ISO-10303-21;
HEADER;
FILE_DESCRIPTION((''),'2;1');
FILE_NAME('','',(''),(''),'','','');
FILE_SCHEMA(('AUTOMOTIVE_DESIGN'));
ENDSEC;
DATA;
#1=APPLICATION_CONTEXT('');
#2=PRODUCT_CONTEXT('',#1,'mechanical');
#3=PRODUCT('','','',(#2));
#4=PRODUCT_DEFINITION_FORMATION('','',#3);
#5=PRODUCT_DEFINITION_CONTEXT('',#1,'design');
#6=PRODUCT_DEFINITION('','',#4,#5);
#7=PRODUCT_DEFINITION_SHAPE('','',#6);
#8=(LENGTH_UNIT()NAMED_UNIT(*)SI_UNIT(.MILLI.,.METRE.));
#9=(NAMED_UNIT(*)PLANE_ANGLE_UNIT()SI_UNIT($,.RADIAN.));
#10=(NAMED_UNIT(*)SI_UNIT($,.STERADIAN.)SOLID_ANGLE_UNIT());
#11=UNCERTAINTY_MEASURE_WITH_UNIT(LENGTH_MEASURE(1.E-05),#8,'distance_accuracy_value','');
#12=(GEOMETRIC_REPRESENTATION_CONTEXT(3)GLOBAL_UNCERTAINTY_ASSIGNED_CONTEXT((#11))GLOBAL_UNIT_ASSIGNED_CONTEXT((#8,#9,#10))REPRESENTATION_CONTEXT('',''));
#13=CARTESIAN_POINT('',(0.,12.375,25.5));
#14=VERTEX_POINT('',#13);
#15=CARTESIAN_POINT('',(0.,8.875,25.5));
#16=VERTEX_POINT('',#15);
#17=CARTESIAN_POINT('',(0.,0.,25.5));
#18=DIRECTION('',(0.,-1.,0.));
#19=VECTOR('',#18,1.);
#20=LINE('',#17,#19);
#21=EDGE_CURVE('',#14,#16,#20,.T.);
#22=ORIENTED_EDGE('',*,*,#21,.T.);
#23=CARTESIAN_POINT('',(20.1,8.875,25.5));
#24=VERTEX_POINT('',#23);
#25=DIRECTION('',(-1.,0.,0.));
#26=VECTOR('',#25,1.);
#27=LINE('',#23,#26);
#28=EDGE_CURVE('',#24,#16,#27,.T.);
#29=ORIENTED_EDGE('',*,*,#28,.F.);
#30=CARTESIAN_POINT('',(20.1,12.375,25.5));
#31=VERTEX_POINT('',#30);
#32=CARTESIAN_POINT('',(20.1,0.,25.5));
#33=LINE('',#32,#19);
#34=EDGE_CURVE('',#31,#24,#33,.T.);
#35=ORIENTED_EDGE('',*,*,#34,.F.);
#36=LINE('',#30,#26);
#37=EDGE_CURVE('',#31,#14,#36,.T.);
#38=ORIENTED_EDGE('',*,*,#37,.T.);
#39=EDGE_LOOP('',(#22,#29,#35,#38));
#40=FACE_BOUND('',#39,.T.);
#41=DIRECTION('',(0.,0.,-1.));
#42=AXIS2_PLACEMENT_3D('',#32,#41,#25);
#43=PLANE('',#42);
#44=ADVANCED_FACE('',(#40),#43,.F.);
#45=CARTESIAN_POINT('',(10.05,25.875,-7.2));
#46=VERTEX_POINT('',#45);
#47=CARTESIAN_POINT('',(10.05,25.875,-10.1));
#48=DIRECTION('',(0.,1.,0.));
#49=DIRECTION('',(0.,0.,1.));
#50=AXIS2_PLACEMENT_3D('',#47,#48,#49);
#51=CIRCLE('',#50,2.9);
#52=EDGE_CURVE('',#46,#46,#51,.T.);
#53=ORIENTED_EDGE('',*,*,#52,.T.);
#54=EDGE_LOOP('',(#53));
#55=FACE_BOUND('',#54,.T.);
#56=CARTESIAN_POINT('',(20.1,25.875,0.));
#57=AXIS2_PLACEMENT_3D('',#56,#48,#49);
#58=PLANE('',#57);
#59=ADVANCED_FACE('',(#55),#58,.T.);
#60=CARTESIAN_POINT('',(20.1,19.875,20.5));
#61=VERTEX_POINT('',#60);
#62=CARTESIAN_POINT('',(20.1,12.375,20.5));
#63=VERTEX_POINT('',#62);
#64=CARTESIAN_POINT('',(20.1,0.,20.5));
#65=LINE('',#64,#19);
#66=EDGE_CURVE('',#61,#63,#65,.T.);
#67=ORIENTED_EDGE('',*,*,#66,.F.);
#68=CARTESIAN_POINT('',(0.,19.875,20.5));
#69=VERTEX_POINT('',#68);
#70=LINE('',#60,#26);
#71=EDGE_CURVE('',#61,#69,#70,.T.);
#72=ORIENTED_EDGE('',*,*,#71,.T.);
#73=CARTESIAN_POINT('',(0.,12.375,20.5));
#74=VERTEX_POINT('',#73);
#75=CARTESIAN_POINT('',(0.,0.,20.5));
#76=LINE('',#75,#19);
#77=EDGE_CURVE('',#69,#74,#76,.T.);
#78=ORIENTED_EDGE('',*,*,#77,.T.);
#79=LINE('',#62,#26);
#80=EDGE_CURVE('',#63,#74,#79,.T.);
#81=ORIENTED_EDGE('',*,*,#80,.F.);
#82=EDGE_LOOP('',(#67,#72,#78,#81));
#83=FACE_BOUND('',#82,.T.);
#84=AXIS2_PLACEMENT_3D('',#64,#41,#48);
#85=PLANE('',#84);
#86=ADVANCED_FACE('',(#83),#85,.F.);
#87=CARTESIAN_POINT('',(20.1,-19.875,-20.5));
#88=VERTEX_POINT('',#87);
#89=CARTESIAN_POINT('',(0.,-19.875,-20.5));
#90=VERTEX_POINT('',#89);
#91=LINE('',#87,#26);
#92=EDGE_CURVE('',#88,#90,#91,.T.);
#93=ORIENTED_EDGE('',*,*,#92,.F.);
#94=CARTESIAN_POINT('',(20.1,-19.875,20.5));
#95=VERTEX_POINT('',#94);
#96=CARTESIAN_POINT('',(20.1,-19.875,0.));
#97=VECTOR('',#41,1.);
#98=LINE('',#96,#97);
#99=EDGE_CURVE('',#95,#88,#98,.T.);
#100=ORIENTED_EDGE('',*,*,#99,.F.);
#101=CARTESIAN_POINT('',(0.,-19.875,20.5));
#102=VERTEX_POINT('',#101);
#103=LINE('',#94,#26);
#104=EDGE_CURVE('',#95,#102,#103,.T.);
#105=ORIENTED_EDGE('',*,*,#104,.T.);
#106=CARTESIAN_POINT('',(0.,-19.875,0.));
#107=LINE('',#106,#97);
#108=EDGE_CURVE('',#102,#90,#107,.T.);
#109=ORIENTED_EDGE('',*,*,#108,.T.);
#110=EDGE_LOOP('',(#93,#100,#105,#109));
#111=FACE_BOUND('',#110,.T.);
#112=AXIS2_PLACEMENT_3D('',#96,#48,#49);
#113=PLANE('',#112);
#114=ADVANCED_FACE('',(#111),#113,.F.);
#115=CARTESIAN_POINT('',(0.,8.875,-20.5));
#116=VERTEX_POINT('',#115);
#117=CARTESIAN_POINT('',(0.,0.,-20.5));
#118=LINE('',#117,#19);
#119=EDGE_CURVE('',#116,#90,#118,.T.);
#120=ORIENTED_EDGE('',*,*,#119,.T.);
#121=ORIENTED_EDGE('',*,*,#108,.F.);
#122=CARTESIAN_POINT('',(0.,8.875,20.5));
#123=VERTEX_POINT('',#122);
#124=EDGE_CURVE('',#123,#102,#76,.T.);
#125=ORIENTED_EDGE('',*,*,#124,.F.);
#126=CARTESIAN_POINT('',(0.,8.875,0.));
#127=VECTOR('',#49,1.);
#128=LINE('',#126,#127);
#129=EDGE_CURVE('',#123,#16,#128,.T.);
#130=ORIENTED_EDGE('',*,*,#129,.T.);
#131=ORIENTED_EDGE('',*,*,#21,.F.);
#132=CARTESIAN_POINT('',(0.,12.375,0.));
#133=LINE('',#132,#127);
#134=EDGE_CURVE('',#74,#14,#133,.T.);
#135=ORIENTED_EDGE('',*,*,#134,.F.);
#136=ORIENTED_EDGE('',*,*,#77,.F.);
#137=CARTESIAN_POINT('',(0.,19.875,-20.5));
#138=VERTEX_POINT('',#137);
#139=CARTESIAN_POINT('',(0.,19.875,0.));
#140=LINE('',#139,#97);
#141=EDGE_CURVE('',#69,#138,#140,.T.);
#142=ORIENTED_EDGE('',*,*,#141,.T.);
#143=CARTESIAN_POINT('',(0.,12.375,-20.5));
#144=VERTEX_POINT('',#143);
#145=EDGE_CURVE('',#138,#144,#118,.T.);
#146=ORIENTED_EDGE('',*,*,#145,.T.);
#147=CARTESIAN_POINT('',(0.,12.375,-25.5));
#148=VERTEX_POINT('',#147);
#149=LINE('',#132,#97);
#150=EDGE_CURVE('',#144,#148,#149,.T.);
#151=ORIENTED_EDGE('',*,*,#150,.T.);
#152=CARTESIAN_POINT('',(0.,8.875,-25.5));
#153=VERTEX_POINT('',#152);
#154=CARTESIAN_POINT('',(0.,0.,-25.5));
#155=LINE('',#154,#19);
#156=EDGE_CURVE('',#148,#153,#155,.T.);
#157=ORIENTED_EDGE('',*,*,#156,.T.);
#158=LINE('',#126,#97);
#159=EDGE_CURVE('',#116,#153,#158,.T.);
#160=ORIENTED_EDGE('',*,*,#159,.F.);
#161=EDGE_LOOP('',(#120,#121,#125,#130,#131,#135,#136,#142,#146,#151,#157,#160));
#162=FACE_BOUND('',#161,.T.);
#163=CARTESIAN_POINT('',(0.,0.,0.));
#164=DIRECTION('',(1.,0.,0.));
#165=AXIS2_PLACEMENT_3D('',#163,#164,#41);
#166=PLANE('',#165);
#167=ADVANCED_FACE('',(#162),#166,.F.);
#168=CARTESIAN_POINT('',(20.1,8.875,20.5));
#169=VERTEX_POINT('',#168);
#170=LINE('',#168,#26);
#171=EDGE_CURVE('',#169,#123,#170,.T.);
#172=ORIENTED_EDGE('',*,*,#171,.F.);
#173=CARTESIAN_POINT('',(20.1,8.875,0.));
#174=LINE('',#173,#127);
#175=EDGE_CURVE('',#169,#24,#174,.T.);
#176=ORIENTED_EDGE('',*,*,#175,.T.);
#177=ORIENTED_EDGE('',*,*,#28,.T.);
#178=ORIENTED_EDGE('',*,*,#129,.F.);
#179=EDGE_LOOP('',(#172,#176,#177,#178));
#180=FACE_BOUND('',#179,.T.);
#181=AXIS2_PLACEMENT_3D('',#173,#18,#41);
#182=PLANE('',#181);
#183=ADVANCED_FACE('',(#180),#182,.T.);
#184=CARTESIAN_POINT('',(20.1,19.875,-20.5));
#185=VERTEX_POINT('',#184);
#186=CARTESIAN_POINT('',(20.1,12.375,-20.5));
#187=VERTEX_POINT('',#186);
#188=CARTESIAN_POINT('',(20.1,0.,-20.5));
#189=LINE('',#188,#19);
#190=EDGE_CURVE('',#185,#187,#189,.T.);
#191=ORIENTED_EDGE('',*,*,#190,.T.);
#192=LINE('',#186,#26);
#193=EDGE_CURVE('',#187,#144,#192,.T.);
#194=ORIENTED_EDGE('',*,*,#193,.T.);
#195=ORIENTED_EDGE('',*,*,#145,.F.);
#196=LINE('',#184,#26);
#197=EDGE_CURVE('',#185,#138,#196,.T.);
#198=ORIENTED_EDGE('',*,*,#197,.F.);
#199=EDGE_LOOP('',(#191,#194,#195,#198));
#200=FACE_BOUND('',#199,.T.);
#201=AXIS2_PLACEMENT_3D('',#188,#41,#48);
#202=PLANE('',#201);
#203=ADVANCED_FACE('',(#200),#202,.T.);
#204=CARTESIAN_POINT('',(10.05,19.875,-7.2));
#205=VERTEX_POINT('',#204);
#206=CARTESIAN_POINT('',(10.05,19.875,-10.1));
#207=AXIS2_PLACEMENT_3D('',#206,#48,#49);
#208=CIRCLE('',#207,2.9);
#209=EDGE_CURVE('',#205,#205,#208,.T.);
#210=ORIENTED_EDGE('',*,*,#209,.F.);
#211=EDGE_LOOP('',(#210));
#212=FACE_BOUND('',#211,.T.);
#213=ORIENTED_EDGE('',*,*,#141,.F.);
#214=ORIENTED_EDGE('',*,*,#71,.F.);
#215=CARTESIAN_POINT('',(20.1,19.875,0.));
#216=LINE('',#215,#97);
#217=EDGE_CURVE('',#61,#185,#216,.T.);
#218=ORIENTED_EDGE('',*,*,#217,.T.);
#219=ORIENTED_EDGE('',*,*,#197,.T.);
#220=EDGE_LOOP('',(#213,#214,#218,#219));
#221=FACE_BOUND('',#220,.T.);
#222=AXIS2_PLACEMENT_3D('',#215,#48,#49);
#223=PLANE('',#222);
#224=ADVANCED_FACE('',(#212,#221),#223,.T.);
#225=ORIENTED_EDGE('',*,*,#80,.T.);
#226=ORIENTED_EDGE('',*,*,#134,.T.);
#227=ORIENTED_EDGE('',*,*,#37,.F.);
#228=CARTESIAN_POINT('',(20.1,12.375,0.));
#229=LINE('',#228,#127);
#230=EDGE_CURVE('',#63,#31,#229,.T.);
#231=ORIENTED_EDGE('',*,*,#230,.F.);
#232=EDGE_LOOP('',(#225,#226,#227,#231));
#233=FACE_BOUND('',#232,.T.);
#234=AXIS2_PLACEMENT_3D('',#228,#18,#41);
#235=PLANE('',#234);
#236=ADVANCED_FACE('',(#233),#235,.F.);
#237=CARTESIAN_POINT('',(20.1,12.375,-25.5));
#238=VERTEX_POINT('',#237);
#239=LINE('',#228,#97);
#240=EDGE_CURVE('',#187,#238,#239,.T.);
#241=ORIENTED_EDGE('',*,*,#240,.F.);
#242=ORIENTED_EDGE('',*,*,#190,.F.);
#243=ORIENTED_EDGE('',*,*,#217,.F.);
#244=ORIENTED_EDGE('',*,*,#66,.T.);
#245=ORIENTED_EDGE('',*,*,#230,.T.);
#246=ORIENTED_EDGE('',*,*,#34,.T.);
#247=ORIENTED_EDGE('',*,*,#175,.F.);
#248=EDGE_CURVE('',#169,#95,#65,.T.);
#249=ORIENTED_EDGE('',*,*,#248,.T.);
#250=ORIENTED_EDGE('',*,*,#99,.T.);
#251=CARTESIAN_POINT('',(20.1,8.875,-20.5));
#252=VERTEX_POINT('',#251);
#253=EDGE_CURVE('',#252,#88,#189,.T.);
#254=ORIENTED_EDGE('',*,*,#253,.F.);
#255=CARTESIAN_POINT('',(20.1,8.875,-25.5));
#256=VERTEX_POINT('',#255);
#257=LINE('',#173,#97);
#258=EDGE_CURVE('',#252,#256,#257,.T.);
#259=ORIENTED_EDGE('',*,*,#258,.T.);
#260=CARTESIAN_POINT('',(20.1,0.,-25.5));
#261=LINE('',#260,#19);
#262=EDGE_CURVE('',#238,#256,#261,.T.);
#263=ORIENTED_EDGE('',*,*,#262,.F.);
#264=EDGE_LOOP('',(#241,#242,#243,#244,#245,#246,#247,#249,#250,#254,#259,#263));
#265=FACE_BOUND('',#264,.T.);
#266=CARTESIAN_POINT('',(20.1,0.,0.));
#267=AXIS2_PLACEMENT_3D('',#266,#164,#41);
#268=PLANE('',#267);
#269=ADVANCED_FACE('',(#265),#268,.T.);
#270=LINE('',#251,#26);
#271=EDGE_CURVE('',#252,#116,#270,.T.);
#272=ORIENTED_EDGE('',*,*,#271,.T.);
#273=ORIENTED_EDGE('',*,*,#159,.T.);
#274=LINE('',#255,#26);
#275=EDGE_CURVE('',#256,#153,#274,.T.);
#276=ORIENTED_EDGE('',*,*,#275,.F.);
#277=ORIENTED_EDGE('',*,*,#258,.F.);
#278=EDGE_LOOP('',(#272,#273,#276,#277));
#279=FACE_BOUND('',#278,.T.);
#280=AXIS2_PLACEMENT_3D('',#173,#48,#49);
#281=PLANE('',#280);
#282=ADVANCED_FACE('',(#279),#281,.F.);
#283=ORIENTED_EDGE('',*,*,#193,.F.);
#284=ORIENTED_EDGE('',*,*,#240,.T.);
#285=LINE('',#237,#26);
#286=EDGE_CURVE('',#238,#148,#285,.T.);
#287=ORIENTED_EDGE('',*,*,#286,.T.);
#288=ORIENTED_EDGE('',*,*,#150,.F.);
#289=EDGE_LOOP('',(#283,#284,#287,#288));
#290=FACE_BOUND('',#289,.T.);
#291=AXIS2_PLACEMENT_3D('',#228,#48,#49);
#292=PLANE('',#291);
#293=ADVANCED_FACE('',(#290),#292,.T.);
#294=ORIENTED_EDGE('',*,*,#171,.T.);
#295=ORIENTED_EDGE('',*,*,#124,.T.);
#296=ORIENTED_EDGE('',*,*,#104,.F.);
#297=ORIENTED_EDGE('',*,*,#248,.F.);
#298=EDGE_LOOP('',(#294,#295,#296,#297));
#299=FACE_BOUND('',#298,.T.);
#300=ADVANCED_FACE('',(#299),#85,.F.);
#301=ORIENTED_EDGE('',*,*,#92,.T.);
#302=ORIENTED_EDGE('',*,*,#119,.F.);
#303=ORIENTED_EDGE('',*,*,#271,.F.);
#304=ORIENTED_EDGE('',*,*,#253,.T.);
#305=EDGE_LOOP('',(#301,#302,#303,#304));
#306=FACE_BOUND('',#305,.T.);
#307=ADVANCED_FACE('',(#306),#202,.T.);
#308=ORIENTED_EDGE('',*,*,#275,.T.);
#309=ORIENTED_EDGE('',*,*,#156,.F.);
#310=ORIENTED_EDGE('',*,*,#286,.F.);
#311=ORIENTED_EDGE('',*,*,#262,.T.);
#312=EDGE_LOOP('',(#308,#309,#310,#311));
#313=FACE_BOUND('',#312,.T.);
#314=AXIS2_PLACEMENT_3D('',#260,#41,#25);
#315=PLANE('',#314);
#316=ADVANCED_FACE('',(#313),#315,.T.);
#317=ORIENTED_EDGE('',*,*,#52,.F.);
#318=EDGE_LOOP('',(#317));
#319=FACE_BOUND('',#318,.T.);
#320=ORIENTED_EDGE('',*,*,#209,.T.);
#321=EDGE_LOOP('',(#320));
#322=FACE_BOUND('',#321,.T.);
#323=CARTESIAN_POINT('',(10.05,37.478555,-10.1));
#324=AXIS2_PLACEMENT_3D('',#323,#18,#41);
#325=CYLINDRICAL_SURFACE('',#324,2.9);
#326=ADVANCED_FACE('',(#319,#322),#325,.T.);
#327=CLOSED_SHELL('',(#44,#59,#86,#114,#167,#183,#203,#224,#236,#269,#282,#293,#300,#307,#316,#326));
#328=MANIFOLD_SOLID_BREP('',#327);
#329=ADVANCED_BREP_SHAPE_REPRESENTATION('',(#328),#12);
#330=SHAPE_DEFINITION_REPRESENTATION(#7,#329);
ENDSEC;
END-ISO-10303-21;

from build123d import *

# Parameters (mm, degrees)
SKETCH2_W           = 41
SKETCH2_H           = 39.75
SKETCH2_W_2         = 5
SKETCH2_H_2         = 3.5
SKETCH2_W_3         = 5.8
SKETCH2_H_3         = 6
BOSS_EXTRUDE1_DEPTH = 20.1
CUT_EXTRUDE1_DEPTH  = 6


with BuildPart() as part:
    # Sketch2 → Boss-Extrude1 (new body)
    with BuildSketch(Plane(origin=(0, 0, 0), x_dir=(0, 0, -1), z_dir=(1, 0, 0))):
        Rectangle(SKETCH2_W, SKETCH2_H)
        with Locations((-23, 10.625)):
            Rectangle(SKETCH2_W_2, SKETCH2_H_2)
        with Locations((10.1, 22.875)):
            Rectangle(SKETCH2_W_3, SKETCH2_H_3)
        with Locations((23, 10.625)):
            Rectangle(SKETCH2_W_2, SKETCH2_H_2)
    extrude(amount=BOSS_EXTRUDE1_DEPTH)

    # Sketch3 → Cut-Extrude1 (cut)
    with BuildSketch(Plane(origin=(0, 19.875, 0), x_dir=(1, 0, 0), z_dir=(0, 1, 0))):
        with BuildLine():
            Line((10.05, 7.2), (12.95, 7.2))
            Line((12.95, 7.2), (12.95, 10.1))
            ThreePointArc((12.95, 10.1), (12.100609665, 8.049390335), (10.05, 7.2))
        make_face()
        with BuildLine():
            ThreePointArc((10.05, 13), (12.100609665, 12.150609665), (12.95, 10.1))
            Line((12.95, 10.1), (12.95, 13))
            Line((12.95, 13), (10.05, 13))
        make_face()
        with BuildLine():
            ThreePointArc((7.15, 10.1), (7.999390335, 12.150609665), (10.05, 13))
            Line((10.05, 13), (7.15, 13))
            Line((7.15, 13), (7.15, 10.1))
        make_face()
        with BuildLine():
            Line((7.15, 7.2), (10.05, 7.2))
            ThreePointArc((10.05, 7.2), (7.999390335, 8.049390335), (7.15, 10.1))
            Line((7.15, 10.1), (7.15, 7.2))
        make_face()
        Polygon((0, 7.2), (7.15, 7.2), (7.15, 10.1), (7.15, 13), (0, 13), align=None)
        Polygon((12.95, 7.2), (20.1, 7.2), (20.1, 13), (12.95, 13), (12.95, 10.1), align=None)
    extrude(amount=CUT_EXTRUDE1_DEPTH, mode=Mode.SUBTRACT)


solid = part.part
